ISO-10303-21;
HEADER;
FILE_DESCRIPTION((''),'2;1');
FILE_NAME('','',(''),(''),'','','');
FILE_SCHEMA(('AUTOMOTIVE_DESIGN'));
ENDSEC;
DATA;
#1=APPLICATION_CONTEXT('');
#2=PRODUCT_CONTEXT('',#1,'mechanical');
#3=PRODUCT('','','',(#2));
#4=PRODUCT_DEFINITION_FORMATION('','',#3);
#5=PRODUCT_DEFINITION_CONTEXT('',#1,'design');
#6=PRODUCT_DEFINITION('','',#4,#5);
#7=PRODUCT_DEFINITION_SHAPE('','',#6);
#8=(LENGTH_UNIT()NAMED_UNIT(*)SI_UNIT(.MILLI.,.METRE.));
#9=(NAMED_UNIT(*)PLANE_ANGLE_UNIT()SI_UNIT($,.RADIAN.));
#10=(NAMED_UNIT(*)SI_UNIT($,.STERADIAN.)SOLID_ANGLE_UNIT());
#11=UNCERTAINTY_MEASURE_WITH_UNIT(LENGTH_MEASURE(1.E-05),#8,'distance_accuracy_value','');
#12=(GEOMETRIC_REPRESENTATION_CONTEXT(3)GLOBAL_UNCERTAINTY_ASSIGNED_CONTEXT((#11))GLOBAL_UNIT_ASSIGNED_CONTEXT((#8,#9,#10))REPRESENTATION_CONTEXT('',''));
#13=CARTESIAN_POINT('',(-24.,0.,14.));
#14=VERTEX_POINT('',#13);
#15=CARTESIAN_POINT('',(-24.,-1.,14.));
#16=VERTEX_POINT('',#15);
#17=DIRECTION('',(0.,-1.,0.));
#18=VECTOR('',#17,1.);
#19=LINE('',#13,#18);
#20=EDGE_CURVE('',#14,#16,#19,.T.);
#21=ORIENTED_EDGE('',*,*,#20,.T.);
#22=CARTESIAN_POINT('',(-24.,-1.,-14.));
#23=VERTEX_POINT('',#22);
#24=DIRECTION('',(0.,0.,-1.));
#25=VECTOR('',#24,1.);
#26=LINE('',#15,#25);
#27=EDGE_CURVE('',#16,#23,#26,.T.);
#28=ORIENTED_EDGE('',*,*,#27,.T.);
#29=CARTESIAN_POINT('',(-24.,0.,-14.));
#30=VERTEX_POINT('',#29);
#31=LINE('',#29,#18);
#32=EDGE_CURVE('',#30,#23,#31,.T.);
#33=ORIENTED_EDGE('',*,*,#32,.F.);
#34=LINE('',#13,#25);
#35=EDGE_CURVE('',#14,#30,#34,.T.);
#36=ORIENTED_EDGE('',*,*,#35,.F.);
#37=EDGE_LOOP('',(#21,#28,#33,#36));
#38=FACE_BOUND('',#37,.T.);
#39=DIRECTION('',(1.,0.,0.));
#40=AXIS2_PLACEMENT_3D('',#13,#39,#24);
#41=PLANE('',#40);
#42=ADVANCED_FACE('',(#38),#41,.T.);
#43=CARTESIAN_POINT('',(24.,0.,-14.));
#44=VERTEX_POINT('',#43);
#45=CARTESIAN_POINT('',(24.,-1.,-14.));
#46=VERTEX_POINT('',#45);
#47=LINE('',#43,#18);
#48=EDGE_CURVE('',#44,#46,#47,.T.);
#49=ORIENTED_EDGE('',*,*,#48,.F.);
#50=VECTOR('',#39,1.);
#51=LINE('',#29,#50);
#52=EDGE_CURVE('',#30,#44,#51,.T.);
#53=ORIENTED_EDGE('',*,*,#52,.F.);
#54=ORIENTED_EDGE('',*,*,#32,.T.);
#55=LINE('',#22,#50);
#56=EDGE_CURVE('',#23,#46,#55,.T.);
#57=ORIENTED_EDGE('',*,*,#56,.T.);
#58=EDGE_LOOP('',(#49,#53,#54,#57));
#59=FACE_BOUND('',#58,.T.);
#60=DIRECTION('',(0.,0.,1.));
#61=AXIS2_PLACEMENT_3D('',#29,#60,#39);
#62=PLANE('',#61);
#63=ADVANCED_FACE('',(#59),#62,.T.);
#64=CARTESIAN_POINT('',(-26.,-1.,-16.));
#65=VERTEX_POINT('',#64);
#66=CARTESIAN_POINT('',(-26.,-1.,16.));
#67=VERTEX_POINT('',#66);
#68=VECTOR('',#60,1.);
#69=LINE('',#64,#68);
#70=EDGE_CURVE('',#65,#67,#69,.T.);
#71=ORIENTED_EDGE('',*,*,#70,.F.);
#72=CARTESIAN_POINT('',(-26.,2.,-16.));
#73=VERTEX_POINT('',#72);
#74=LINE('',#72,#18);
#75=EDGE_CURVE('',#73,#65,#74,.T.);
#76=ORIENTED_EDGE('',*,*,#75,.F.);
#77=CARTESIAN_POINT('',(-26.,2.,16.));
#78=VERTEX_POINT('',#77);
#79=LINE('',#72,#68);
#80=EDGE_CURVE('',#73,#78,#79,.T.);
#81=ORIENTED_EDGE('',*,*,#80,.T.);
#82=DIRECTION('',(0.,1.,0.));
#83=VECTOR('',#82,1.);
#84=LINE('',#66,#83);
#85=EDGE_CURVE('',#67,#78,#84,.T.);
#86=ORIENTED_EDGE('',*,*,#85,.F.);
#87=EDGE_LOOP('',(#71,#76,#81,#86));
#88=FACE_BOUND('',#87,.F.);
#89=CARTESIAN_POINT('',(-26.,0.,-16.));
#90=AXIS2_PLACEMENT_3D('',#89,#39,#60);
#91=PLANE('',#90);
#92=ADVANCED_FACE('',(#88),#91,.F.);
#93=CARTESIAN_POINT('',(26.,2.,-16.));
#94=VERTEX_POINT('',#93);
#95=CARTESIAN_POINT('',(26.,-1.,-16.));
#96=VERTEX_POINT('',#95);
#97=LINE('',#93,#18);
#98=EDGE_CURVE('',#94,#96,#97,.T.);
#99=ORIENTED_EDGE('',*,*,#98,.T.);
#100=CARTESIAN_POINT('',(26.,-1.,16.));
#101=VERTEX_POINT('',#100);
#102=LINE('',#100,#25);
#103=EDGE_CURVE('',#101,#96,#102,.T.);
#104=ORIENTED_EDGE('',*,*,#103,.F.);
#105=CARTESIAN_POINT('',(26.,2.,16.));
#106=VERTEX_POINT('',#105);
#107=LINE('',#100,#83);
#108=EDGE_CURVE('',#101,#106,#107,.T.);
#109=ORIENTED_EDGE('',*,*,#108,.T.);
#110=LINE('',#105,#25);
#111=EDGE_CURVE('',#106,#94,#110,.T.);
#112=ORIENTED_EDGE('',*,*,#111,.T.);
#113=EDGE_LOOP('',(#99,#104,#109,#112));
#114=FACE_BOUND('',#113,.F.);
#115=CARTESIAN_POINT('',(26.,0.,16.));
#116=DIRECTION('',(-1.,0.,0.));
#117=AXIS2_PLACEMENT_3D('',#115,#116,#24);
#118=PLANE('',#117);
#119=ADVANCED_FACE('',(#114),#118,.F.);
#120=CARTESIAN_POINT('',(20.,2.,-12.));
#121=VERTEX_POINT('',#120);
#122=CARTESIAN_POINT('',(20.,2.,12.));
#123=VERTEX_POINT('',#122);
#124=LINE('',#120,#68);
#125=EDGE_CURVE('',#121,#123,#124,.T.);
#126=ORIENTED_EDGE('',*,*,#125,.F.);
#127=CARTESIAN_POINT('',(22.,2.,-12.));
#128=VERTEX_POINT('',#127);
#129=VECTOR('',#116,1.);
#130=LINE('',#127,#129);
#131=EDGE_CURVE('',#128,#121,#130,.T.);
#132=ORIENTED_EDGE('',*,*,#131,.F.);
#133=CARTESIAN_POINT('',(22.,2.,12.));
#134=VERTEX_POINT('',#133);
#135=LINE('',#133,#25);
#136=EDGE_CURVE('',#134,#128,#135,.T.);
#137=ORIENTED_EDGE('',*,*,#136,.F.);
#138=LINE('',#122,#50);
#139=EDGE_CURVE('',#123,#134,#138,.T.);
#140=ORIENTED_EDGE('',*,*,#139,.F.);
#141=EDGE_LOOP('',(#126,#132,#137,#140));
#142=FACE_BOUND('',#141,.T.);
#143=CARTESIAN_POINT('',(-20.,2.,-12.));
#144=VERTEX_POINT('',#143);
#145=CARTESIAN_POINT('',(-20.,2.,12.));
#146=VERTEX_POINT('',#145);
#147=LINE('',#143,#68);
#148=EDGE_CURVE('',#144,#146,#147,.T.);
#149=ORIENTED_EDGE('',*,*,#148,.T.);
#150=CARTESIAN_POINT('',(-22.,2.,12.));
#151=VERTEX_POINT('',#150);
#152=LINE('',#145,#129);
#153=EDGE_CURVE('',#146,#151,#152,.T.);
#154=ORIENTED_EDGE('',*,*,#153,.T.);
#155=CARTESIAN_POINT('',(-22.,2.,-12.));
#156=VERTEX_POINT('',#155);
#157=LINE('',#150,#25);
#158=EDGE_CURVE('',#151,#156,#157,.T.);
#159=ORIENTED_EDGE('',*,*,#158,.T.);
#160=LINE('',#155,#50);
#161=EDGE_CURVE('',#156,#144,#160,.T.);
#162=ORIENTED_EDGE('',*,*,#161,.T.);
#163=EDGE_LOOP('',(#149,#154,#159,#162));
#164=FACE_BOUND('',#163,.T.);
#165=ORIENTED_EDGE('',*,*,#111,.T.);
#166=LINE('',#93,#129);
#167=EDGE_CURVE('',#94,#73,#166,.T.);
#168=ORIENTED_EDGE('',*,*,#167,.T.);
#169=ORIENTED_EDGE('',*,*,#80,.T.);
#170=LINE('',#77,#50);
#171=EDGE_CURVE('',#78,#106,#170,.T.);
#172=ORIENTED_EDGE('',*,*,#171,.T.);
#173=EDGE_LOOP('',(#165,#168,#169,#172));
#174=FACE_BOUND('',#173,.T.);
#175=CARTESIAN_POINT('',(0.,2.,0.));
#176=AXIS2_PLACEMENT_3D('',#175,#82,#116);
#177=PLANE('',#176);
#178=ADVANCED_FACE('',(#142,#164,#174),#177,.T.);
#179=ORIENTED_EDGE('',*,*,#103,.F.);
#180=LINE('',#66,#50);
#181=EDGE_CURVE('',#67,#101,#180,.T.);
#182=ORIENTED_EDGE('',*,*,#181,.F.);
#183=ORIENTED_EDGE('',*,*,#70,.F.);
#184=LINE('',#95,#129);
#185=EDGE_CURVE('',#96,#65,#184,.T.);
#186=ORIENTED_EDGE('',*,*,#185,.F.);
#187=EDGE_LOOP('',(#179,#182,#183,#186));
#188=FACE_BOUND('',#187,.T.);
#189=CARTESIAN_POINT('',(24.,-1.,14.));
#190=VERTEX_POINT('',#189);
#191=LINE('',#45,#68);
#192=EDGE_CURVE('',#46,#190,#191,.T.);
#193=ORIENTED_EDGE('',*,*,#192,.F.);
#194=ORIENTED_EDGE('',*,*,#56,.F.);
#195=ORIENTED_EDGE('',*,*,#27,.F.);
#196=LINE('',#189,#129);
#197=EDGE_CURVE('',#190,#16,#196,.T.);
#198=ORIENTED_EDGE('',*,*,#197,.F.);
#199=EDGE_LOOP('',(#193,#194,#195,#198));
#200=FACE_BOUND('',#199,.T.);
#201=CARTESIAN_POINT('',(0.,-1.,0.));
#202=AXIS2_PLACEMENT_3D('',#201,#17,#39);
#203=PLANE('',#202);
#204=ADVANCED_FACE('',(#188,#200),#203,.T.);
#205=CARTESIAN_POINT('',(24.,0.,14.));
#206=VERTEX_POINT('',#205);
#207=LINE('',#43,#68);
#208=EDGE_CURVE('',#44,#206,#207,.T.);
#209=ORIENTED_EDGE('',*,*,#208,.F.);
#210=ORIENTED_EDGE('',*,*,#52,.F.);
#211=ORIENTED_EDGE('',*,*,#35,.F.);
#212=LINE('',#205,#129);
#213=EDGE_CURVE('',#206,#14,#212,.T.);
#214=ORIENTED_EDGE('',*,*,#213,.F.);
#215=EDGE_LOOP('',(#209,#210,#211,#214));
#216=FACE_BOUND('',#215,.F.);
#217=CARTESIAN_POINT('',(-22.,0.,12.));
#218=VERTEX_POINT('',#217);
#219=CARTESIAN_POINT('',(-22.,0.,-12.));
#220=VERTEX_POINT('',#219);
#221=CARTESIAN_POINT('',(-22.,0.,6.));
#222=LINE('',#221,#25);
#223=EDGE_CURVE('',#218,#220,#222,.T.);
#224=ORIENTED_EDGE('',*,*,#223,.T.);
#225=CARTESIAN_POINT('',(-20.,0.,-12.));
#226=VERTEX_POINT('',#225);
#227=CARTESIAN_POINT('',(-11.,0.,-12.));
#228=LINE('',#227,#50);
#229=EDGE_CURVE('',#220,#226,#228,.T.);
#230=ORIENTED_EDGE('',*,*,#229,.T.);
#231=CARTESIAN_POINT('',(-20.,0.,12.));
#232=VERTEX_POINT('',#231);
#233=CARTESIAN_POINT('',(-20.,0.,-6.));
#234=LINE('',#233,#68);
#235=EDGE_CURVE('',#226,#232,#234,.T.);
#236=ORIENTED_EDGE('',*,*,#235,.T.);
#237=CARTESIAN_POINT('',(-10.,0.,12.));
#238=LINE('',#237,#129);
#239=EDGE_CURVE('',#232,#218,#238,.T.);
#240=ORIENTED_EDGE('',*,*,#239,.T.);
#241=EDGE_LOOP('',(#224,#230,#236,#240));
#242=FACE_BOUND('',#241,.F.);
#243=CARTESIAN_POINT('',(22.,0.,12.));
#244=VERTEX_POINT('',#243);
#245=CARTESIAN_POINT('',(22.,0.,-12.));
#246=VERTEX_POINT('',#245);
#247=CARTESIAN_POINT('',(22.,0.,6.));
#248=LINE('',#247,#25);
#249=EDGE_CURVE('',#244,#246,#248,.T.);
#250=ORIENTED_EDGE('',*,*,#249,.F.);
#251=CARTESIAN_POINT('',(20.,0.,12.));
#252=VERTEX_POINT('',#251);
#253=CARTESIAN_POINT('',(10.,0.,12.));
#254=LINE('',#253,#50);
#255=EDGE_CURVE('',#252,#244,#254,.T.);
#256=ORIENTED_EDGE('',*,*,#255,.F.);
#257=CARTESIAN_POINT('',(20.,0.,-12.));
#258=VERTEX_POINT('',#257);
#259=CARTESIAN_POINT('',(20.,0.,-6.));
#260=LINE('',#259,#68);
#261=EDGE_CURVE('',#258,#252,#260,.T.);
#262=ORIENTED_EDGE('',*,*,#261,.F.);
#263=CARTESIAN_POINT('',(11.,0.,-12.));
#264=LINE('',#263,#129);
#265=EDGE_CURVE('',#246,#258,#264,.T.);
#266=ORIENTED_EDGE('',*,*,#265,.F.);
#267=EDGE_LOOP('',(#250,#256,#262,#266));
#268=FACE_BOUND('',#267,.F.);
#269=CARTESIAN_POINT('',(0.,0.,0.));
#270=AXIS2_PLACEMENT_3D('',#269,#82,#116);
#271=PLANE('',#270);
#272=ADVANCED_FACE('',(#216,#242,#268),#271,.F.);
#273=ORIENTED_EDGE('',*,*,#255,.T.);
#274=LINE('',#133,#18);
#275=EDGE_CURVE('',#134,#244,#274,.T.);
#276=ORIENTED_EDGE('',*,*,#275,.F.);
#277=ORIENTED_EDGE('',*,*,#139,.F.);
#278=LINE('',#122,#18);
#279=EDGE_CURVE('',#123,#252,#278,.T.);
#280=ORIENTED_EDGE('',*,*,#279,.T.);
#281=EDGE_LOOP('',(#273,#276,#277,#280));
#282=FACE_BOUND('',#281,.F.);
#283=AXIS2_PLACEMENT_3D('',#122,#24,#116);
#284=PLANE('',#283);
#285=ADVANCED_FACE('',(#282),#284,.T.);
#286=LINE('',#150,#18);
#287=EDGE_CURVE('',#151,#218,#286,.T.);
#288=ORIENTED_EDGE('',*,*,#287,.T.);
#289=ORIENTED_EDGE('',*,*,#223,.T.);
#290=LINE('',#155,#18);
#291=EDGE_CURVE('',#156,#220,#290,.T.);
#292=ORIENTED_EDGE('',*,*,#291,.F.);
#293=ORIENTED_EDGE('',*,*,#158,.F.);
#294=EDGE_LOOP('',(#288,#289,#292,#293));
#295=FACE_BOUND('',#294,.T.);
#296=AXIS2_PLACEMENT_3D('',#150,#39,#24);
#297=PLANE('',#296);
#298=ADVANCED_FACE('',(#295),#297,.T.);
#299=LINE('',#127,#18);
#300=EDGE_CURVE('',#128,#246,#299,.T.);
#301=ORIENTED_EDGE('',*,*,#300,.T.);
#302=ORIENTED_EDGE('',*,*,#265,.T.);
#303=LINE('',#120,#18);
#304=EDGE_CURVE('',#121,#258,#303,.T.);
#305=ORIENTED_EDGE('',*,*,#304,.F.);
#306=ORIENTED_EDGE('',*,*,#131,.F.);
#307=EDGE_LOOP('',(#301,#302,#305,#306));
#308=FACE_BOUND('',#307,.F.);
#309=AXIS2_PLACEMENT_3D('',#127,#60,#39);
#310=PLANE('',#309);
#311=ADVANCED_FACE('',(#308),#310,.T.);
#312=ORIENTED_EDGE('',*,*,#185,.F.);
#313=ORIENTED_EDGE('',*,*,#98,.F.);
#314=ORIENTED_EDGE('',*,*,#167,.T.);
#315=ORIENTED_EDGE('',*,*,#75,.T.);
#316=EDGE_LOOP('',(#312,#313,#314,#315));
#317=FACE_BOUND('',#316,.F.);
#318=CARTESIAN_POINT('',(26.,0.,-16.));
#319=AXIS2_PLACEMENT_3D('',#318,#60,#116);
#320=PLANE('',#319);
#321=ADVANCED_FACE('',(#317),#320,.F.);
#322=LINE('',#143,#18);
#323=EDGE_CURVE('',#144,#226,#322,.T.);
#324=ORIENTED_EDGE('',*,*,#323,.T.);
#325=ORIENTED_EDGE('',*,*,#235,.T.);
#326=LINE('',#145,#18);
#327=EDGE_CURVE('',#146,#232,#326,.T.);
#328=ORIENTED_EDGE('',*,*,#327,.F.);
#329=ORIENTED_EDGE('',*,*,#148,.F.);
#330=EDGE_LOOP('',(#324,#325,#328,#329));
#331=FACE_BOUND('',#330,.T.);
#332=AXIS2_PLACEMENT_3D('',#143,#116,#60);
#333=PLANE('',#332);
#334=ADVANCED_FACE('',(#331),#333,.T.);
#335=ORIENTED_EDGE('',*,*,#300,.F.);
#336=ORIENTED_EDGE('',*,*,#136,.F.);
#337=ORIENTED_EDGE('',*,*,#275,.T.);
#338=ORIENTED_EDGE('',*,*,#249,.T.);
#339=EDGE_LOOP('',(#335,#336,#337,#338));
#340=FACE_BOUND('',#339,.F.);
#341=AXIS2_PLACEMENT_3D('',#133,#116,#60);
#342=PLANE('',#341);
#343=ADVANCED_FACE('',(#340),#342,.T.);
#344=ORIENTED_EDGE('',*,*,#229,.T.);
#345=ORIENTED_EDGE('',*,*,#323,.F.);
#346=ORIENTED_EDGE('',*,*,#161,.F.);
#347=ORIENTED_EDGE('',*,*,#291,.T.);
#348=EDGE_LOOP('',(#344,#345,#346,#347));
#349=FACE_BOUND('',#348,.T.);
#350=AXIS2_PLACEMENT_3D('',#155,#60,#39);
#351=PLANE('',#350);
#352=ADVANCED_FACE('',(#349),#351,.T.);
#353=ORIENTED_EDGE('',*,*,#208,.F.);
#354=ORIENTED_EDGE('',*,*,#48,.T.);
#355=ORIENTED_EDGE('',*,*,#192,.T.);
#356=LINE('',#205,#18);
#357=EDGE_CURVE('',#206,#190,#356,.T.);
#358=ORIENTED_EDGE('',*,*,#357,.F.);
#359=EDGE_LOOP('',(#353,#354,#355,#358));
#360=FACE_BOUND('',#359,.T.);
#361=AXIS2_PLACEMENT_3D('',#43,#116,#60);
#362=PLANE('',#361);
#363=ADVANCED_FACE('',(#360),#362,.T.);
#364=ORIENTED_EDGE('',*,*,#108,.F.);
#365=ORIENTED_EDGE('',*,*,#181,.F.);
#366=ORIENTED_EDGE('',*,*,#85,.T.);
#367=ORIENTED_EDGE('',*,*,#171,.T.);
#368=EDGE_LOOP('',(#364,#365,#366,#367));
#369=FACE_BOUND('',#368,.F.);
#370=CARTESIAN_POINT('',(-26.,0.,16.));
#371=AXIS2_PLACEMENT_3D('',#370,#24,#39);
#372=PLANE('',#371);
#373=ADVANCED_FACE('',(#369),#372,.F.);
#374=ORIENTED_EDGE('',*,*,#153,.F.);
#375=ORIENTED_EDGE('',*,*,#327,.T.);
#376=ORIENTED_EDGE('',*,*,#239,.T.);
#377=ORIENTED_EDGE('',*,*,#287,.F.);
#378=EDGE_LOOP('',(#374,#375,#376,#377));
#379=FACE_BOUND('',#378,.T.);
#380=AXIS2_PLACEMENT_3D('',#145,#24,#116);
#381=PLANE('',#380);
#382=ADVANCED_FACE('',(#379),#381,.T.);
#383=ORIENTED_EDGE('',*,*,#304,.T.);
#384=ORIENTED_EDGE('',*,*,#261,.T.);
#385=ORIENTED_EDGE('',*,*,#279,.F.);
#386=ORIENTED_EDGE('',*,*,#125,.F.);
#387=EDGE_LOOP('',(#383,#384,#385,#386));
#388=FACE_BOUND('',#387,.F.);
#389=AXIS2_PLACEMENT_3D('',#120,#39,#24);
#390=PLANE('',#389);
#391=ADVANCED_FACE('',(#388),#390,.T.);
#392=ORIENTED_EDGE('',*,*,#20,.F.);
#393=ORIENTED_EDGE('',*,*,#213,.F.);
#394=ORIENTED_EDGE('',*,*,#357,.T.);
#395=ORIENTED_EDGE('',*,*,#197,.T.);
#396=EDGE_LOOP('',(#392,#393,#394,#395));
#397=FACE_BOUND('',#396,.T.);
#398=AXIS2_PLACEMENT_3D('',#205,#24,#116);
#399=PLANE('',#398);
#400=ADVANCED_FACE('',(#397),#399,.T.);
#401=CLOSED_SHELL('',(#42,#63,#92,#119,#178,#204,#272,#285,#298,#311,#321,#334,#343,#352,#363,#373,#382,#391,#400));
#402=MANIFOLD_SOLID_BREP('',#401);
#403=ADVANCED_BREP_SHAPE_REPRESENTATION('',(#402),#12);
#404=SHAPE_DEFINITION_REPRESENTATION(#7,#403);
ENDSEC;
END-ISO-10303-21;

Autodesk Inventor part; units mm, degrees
ref_plane "YZ Plane" through (0, 0, 0) normal (1, 0, 0) x (0, 1, 0)
ref_plane "XZ Plane" through (0, 0, 0) normal (0, 1, 0) x (-1, 0, 0)
ref_plane "XY Plane" through (0, 0, 0) normal (0, 0, 1) x (1, 0, 0)
sketch "Sketch1" plane through (0, 0, 0) normal (0, 1, 0) x (-1, 0, 0)
  line L0 (26, 16) -> (-26, 16)
  line L1 (-26, 16) -> (-26, -16)
  line L2 (-26, -16) -> (26, -16)
  line L3 (26, -16) -> (26, 16)
  line L4 (26, 16) -> (-26, -16) construction
  line L5 (-26, 16) -> (26, -16) construction
  point P0 (0, 0)
  dimension "d0" = 52
  dimension "d1" = 32
extrude "Extrusion1" add sketch "Sketch1" along normal blind 2
sketch "Sketch2" plane through (0, 0, 0) normal (0, -1, 0) x (1, 0, 0)
  point P0 (0, 0)
sketch "Sketch3" plane through (0, 0, 0) normal (0, -1, 0) x (1, 0, 0)
  line L0 (-26, 16) -> (26, 16) projected
  line L1 (-26, -16) -> (-26, 16) projected
  line L2 (26, -16) -> (-26, -16) projected
  line L3 (26, 16) -> (26, -16) projected
  line L4 (24, 14) -> (-24, 14)
  line L5 (-24, 14) -> (-24, -14)
  line L6 (-24, -14) -> (24, -14)
  line L7 (24, -14) -> (24, 14)
  point P0 (0, 0)
  dimension "d4" = 2
extrude "Extrusion2" add sketch "Sketch3" along normal blind 1
sketch "Sketch4" plane through (0, 0, 0) normal (0, -1, 0) x (1, 0, 0)
  point P0 (0, 0)
sketch "Sketch5" plane through (0, 2, 0) normal (0, 1, 0) x (1, 0, 0)
  line L0 (-22, 12) -> (-20, 12)
  line L1 (-20, 12) -> (-20, -12)
  line L2 (-20, -12) -> (-22, -12)
  line L3 (-22, -12) -> (-22, 12)
  line L4 (-26, 16) -> (-26, -16) projected
  line L5 (26, 16) -> (-26, 16) projected
  line L6 (-26, -16) -> (26, -16) projected
  point P0 (0, 0)
  dimension "d7" = 2
  dimension "d8" = 4
  dimension "d9" = 4
  dimension "d10" = 4
extrude "Extrusion3" cut sketch "Sketch5" against normal through all
mirror "Mirror1" about plane through (0, 0, 0) normal (1, 0, 0) of "Extrusion3"
properties part number "5x3holder" material "PET Plastic"
